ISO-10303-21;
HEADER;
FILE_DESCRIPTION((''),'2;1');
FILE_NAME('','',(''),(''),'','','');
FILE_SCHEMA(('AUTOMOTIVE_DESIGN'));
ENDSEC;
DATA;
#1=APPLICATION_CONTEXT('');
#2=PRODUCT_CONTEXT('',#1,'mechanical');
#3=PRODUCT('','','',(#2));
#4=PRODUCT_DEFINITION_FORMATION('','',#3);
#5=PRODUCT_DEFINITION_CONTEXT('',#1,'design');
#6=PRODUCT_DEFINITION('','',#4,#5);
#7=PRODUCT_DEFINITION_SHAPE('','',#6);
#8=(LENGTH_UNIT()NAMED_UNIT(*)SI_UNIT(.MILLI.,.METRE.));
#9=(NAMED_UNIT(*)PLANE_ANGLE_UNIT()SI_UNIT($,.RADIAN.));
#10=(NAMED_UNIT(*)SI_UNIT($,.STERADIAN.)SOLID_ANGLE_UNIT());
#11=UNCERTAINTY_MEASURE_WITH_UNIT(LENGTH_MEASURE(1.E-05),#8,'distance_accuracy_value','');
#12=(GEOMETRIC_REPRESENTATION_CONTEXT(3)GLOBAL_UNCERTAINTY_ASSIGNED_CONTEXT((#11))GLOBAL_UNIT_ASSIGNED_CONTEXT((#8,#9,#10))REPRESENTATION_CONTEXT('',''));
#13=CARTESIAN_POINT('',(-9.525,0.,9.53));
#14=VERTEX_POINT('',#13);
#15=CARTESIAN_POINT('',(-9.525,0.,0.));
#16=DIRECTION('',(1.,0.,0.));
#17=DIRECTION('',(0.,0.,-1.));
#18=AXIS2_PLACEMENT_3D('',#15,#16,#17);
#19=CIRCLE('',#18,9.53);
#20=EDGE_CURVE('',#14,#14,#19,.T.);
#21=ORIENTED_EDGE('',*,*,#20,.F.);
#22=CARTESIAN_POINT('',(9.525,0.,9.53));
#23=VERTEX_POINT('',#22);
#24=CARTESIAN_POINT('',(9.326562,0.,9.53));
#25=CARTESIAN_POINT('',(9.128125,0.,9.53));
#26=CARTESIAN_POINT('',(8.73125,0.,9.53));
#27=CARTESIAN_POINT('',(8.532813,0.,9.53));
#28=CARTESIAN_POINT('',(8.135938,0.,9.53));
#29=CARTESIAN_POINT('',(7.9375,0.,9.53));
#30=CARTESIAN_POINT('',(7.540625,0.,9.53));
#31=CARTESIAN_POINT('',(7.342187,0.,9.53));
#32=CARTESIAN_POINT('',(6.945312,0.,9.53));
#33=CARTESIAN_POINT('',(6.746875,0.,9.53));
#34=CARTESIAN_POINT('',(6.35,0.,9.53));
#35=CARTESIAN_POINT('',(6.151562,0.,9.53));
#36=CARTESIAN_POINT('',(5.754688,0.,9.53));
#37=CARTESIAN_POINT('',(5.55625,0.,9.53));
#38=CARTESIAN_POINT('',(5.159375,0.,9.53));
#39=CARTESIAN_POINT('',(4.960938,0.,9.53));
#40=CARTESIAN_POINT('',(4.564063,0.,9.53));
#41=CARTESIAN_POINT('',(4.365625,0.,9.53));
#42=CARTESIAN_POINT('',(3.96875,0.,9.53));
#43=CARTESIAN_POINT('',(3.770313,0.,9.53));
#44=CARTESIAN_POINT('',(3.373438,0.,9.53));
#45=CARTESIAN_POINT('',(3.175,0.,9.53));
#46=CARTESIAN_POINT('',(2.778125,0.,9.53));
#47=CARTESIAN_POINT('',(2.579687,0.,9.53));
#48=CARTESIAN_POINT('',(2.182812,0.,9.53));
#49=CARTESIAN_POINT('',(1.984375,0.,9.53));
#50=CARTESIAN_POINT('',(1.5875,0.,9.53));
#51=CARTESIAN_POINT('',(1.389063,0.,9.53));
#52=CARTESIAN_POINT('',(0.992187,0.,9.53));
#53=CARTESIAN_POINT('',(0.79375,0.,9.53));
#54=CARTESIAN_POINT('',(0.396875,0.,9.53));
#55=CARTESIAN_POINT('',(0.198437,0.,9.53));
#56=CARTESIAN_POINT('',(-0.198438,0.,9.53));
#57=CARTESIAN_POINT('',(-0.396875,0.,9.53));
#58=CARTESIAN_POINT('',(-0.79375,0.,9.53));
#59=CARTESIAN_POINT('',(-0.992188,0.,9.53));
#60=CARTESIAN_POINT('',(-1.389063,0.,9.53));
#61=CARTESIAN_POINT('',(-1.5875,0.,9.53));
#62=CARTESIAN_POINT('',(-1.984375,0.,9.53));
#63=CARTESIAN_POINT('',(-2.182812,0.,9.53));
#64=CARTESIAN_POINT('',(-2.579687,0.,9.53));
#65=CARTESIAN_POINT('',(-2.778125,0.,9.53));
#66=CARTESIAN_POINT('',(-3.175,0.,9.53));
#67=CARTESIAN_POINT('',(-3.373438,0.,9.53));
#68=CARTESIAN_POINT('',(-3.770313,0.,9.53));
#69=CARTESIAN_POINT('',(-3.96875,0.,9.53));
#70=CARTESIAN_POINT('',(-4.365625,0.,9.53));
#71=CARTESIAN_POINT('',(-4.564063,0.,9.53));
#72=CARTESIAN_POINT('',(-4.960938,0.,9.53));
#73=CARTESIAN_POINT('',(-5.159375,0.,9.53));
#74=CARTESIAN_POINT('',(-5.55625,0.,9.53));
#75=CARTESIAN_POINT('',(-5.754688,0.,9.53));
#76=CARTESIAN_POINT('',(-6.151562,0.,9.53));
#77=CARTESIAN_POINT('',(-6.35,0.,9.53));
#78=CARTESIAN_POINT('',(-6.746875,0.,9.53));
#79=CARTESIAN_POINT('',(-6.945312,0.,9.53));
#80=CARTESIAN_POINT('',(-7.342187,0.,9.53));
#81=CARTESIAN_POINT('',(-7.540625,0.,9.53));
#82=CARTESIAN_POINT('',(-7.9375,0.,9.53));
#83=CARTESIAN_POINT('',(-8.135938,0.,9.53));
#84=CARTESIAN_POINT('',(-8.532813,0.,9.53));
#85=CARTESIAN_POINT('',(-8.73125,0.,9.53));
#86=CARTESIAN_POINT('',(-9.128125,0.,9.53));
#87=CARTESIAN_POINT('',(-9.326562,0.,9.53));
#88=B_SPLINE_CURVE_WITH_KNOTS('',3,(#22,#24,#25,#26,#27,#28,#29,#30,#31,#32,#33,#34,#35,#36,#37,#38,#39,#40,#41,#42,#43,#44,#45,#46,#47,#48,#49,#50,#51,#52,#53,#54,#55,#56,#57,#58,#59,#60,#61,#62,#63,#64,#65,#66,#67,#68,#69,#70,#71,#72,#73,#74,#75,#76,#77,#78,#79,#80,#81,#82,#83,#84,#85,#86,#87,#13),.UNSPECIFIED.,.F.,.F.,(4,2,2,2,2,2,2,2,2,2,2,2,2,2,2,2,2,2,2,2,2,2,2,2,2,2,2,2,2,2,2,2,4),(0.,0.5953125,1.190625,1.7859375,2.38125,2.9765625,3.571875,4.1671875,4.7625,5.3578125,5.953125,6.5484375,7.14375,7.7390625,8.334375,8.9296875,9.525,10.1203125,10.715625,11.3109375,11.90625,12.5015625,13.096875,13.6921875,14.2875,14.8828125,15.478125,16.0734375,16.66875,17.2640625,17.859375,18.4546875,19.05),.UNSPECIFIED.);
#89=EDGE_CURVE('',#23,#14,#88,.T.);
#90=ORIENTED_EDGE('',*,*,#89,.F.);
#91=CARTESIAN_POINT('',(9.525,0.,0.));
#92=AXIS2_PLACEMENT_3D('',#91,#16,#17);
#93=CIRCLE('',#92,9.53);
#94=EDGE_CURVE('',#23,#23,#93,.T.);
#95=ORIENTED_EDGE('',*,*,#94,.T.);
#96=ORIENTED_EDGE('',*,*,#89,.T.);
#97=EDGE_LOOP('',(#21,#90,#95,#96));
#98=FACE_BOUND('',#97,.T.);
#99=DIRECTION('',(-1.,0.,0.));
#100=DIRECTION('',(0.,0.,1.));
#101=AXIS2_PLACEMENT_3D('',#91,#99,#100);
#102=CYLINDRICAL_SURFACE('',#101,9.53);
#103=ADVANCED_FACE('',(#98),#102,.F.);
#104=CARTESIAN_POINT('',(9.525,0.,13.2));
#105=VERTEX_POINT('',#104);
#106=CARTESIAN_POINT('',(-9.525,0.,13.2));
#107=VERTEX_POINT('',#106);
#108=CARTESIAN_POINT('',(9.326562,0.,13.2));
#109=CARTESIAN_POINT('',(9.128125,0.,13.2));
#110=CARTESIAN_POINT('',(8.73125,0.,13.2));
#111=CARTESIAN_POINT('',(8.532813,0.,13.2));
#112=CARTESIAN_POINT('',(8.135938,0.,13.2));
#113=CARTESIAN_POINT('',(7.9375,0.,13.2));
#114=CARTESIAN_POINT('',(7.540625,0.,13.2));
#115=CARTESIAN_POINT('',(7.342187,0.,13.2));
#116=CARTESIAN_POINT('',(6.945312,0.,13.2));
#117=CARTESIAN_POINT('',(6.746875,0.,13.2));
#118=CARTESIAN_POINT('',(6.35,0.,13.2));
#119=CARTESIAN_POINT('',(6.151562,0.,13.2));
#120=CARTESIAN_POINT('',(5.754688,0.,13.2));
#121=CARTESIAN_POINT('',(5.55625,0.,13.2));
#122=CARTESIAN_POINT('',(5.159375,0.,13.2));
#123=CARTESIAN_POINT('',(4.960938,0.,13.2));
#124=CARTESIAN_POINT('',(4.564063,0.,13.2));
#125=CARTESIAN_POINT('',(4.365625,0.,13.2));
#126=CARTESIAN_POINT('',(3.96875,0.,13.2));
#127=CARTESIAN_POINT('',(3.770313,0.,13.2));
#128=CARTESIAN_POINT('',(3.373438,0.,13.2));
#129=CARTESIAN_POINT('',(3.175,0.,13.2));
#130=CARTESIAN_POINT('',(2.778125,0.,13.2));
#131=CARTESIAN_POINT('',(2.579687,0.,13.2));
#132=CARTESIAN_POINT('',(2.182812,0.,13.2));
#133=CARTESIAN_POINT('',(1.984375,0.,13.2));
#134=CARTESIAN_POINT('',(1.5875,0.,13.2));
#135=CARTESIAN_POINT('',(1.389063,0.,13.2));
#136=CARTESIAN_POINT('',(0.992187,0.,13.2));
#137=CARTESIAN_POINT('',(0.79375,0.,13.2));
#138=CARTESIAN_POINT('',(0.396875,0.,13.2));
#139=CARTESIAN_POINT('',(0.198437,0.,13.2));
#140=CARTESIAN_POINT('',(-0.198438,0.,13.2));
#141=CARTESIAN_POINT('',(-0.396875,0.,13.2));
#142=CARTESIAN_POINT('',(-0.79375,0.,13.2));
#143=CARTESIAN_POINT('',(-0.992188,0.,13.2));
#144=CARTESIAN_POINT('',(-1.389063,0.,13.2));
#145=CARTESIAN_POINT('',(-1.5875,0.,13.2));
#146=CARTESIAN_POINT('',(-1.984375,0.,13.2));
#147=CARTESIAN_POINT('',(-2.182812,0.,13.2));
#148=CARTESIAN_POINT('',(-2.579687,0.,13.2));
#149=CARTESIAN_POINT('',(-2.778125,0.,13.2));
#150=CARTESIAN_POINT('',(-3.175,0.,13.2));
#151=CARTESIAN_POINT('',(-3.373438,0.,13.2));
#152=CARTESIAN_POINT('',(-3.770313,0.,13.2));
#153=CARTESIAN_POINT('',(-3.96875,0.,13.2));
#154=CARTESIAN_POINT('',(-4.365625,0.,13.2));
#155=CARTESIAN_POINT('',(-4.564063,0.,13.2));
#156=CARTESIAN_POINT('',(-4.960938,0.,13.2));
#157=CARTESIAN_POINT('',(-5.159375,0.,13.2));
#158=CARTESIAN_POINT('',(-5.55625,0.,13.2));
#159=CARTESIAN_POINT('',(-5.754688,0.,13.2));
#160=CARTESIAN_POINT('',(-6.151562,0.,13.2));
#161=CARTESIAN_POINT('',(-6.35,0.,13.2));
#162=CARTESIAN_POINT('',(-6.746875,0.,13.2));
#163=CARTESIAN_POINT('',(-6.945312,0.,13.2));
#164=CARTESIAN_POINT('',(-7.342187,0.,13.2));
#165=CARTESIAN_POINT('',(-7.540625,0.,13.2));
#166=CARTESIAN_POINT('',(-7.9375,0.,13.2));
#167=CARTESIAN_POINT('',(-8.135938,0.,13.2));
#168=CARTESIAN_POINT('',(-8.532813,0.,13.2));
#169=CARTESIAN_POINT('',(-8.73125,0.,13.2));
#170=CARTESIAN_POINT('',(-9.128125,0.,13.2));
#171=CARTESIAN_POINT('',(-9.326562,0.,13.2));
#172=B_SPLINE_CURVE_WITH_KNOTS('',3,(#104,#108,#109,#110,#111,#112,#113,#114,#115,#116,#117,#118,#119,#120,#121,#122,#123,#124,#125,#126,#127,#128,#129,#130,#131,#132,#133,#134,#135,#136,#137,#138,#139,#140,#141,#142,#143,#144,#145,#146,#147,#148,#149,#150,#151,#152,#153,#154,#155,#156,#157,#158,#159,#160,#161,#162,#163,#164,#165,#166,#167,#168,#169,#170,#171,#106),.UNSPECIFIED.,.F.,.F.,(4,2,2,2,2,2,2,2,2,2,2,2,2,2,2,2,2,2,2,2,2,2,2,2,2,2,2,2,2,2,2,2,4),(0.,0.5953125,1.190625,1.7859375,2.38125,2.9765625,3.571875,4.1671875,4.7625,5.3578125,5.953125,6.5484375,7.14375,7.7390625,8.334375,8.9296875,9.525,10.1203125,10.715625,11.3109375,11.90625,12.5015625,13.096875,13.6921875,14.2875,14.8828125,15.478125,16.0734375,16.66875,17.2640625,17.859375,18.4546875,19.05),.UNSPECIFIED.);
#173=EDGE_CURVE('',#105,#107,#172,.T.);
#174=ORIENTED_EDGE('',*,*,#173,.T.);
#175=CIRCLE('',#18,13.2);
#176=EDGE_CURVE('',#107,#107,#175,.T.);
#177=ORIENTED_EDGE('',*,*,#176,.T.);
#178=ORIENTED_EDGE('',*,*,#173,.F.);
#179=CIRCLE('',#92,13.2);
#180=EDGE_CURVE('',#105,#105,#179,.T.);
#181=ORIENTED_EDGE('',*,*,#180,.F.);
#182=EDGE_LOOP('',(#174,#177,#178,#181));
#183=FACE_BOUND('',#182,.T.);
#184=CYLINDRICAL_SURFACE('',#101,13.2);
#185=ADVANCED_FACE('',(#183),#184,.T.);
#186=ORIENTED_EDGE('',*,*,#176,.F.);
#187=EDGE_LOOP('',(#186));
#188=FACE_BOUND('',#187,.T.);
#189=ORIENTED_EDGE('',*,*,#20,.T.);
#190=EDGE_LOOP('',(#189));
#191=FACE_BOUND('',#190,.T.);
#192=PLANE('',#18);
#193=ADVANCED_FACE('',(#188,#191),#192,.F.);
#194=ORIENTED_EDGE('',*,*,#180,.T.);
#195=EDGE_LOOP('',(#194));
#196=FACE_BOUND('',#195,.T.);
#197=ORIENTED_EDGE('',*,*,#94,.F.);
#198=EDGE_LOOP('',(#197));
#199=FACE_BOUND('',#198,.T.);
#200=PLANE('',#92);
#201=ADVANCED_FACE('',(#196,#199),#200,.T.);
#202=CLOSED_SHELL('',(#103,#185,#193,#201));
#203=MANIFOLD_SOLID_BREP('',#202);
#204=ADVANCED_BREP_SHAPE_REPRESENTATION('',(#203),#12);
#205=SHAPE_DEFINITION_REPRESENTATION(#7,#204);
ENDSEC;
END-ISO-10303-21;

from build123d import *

# Parameters (mm, degrees)
SKETCH1_R           = 13.2
SKETCH1_R_2         = 9.53
BOSS_EXTRUDE1_DEPTH = 9.525


with BuildPart() as part:
    # Sketch1 → Boss-Extrude1 (new, symmetric)
    with BuildSketch(Plane(origin=(0, 0, 0), x_dir=(0, 0, -1), z_dir=(1, 0, 0))):
        Circle(SKETCH1_R)
        Circle(SKETCH1_R_2, mode=Mode.SUBTRACT)
    extrude(amount=BOSS_EXTRUDE1_DEPTH, both=True)


solid = part.part
